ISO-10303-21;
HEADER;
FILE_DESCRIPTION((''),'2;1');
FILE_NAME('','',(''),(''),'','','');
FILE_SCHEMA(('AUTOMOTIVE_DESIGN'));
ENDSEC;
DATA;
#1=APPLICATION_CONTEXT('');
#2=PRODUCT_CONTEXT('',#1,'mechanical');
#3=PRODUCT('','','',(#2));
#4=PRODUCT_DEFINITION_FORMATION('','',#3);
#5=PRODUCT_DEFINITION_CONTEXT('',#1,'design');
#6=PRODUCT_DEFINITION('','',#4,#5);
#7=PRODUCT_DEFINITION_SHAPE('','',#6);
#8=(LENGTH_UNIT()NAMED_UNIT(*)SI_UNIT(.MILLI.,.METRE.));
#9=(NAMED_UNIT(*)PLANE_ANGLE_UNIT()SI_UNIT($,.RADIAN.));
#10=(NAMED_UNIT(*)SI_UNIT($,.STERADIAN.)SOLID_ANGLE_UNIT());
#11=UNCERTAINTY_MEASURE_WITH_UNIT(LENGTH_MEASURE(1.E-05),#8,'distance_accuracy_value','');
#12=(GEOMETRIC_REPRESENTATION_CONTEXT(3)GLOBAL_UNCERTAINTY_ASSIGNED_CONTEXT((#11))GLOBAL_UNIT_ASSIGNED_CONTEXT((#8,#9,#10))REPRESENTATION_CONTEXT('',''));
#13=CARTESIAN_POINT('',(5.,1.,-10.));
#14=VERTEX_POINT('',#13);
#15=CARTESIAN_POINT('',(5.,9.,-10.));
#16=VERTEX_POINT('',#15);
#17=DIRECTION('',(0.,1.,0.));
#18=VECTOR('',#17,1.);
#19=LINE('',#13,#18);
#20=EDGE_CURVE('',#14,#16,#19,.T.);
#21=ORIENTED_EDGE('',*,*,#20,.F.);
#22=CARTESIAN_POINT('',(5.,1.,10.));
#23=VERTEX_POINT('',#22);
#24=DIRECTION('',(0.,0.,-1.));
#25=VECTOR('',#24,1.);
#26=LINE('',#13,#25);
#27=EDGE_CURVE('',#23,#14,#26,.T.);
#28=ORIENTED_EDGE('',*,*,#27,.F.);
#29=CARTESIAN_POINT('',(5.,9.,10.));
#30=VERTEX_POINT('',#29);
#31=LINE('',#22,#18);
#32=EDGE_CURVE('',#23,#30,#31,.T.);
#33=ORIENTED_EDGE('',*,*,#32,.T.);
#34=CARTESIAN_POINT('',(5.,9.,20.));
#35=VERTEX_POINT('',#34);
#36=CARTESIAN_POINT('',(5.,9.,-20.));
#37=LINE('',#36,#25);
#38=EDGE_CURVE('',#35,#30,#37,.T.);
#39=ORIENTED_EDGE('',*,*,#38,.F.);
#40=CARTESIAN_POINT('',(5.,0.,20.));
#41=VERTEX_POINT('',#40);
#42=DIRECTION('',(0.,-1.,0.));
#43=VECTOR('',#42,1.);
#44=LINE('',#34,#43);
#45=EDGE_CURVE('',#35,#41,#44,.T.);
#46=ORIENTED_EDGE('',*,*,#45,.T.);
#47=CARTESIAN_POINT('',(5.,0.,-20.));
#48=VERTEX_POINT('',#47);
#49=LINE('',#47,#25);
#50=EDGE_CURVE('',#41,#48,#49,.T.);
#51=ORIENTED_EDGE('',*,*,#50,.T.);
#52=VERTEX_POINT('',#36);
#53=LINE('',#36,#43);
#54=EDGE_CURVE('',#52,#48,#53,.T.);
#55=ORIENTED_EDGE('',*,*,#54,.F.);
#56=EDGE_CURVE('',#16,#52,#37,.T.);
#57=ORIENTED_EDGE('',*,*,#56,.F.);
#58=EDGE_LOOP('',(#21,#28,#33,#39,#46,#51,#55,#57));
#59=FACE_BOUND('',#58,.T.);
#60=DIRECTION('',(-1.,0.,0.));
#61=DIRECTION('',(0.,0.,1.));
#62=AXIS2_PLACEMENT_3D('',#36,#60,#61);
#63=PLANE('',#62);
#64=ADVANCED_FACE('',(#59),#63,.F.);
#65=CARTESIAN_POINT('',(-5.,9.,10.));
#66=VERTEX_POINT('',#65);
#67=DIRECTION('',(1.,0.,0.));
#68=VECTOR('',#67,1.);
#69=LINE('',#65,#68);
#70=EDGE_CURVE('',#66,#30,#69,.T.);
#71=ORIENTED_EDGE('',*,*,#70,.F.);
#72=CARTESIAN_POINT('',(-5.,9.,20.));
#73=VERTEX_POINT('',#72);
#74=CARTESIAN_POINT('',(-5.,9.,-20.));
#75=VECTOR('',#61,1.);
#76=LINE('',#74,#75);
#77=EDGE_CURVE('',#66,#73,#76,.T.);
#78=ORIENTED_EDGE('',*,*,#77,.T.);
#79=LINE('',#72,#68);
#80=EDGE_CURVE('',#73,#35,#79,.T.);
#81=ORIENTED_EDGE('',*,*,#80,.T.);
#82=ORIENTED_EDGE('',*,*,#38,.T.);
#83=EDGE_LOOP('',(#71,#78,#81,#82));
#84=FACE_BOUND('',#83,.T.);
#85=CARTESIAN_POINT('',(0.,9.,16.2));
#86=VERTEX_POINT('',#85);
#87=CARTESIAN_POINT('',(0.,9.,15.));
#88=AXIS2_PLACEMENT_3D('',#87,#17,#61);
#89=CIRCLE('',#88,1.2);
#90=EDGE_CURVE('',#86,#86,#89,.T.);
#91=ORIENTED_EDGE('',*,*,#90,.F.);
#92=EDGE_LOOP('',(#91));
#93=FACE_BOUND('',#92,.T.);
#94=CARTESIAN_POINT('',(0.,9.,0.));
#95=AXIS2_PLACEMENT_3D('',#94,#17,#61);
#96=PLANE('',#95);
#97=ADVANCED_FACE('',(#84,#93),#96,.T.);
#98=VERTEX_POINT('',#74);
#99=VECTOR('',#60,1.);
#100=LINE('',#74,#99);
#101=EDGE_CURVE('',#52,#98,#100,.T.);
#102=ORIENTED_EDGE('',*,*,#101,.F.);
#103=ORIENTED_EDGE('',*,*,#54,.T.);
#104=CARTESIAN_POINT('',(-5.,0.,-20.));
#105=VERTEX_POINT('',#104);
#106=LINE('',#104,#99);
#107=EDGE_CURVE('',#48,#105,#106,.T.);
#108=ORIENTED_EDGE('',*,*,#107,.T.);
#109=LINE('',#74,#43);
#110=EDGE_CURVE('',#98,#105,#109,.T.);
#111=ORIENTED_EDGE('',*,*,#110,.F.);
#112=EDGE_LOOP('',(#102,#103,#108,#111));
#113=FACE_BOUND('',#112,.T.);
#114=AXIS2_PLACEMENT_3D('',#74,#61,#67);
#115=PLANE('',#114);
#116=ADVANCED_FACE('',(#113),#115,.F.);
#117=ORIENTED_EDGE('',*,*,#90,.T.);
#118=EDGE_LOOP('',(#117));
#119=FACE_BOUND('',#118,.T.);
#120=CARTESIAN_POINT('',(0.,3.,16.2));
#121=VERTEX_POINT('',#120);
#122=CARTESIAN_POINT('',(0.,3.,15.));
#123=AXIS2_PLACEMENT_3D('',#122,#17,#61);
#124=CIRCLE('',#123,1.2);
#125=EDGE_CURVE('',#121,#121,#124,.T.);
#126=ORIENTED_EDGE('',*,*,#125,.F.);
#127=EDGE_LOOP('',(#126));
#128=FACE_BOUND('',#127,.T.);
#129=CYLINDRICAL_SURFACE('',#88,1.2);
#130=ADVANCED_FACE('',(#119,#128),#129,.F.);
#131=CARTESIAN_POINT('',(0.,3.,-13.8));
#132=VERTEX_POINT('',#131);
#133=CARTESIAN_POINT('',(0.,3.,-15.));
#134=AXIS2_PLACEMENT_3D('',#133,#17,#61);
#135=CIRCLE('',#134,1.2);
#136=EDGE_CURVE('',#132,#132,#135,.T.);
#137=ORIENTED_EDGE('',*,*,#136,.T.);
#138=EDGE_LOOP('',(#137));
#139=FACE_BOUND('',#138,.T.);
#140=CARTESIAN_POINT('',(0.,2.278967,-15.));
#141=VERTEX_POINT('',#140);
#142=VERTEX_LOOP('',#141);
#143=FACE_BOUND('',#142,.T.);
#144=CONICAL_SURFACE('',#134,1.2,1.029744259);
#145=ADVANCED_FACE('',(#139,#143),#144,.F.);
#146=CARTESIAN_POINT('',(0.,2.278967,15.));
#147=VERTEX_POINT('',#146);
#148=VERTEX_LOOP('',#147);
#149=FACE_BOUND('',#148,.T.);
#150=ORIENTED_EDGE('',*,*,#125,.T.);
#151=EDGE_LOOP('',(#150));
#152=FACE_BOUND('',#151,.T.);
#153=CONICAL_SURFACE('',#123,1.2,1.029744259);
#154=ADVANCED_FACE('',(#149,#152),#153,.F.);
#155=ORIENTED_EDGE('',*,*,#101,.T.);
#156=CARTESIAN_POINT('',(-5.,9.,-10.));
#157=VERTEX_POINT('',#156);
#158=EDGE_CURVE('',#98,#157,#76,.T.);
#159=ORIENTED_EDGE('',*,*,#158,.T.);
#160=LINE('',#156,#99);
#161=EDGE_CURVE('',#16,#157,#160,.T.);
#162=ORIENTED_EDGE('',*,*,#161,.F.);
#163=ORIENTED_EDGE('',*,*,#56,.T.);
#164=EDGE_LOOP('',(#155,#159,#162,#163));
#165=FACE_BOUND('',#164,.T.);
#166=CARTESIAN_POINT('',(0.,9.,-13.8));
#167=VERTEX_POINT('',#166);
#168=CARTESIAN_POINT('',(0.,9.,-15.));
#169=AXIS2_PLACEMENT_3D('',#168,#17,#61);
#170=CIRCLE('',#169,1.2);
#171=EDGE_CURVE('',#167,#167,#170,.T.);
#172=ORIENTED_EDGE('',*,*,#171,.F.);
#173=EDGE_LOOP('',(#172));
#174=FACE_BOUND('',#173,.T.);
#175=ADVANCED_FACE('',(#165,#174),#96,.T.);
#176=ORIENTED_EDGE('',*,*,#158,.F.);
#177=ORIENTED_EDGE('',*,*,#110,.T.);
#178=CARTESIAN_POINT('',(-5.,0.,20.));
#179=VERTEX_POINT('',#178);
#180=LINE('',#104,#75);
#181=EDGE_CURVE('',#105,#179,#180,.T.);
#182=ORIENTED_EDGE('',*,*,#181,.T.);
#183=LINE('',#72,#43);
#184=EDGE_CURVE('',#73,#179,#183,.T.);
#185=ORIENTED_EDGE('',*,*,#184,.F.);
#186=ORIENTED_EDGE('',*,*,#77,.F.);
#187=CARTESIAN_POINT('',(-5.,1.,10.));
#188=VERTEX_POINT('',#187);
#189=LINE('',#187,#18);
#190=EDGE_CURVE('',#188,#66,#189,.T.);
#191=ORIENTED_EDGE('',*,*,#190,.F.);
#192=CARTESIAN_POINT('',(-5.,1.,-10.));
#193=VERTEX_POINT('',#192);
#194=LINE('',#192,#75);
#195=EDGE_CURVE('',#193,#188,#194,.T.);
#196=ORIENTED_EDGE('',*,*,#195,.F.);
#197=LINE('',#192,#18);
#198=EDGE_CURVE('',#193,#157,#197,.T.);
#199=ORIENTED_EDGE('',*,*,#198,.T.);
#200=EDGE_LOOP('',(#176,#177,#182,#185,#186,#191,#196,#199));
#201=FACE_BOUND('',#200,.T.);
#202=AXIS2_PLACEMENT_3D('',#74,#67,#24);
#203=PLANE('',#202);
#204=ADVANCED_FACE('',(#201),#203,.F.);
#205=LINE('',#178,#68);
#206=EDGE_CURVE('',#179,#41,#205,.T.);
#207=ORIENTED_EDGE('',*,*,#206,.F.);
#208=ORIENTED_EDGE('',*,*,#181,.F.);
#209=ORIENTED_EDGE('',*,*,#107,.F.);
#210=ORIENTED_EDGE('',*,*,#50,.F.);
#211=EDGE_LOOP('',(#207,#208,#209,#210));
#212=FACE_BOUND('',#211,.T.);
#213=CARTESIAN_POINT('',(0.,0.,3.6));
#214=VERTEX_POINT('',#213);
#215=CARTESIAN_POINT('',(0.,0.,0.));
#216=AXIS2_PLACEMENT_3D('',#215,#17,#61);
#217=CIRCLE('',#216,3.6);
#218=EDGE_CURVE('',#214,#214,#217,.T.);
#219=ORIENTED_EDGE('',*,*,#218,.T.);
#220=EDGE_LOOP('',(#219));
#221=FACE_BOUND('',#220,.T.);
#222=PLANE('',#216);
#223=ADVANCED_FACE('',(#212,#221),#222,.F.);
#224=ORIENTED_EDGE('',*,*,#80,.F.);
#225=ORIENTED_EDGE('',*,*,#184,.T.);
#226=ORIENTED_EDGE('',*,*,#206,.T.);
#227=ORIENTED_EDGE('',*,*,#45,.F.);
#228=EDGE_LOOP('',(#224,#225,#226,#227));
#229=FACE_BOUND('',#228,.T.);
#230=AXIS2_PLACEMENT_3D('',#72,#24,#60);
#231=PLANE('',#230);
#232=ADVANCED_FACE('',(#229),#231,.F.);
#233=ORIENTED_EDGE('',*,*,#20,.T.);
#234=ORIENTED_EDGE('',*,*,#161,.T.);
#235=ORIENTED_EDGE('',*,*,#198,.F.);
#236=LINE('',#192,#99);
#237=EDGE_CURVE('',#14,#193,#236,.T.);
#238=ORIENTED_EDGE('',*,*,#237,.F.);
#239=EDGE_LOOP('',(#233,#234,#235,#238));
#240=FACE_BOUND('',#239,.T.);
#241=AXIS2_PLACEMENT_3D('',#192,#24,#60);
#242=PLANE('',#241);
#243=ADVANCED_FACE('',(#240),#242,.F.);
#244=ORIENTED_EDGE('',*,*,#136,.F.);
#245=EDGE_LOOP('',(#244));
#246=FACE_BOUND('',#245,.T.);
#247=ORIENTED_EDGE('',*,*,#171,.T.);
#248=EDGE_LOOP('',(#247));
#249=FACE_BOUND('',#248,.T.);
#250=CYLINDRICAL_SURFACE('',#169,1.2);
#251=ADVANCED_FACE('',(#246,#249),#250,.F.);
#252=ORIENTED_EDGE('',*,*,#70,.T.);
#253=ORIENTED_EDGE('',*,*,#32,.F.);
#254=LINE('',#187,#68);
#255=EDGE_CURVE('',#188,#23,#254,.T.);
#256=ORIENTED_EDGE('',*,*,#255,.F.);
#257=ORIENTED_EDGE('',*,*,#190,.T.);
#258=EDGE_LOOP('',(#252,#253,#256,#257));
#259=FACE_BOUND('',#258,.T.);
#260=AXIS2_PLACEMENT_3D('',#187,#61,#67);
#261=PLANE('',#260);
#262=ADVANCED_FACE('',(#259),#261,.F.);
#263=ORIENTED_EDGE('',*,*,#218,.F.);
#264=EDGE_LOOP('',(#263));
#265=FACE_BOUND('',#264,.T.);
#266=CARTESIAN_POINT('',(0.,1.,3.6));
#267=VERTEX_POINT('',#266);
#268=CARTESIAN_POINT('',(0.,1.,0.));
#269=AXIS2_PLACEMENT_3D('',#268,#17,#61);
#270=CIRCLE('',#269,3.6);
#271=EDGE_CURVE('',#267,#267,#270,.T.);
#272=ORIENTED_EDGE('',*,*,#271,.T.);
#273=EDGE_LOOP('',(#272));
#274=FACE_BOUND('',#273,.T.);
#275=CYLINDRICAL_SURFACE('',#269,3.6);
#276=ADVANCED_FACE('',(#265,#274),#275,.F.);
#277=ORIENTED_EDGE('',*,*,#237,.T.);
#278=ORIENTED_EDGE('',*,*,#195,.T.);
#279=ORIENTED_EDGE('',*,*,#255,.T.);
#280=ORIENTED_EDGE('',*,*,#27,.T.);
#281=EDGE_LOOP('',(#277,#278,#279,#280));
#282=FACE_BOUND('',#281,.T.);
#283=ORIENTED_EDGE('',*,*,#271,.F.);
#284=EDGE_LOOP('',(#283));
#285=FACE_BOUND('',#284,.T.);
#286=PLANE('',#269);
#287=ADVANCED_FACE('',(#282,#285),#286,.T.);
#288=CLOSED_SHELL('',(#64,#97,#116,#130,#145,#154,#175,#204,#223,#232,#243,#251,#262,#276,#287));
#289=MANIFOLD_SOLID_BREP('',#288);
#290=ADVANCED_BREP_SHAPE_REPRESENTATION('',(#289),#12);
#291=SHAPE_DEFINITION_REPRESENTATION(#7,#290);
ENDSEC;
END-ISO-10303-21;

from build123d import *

# Parameters (mm, degrees)
SCHIZZO1_W                   = 10
SCHIZZO1_H                   = 40
ESTRUSIONE_ESTRUSIONE1_DEPTH = 9
SCHIZZO2_W                   = 10
SCHIZZO2_H                   = 20
TAGLIO_ESTRUSIONE1_DEPTH     = 8
FORO_PER_VITE_M2_1_D         = 2.4
FORO_PER_VITE_M2_1_DEPTH     = 6
FORO_PER_VITE_M2_1_TIP       = 0.721032743
FORO_PER_VITE_M2_2_D         = 7.2


with BuildPart() as part:
    # Schizzo1 → Estrusione-Estrusione1 (new body)
    with BuildSketch(Plane(origin=(0, 0, 0), x_dir=(1, 0, 0), z_dir=(0, 1, 0))):
        Rectangle(SCHIZZO1_W, SCHIZZO1_H)
    extrude(amount=ESTRUSIONE_ESTRUSIONE1_DEPTH)

    # Schizzo2 → Taglio-Estrusione1 (cut)
    with BuildSketch(Plane(origin=(0, 9, 0), x_dir=(1, 0, 0), z_dir=(0, 1, 0))):
        Rectangle(SCHIZZO2_W, SCHIZZO2_H)
    extrude(amount=-TAGLIO_ESTRUSIONE1_DEPTH, mode=Mode.SUBTRACT)

    # Foro per Vite M2-1
    with Locations(Plane(origin=(0, 9, 0), x_dir=(1, 0, 0), z_dir=(0, 1, 0))):
        with Locations((0, -15), (0, 15)):
            Hole(FORO_PER_VITE_M2_1_D / 2, depth=FORO_PER_VITE_M2_1_DEPTH)
            with Locations((0, 0, -(FORO_PER_VITE_M2_1_DEPTH + FORO_PER_VITE_M2_1_TIP / 2))):  # 118° drill point
                Cone(0, FORO_PER_VITE_M2_1_D / 2, FORO_PER_VITE_M2_1_TIP, mode=Mode.SUBTRACT)

    # Foro per Vite M2-2 (through all)
    with Locations(Plane(origin=(0, 1, 0), x_dir=(1, 0, 0), z_dir=(0, 1, 0))):
        with Locations((0, 0)):
            Hole(FORO_PER_VITE_M2_2_D / 2)


solid = part.part
